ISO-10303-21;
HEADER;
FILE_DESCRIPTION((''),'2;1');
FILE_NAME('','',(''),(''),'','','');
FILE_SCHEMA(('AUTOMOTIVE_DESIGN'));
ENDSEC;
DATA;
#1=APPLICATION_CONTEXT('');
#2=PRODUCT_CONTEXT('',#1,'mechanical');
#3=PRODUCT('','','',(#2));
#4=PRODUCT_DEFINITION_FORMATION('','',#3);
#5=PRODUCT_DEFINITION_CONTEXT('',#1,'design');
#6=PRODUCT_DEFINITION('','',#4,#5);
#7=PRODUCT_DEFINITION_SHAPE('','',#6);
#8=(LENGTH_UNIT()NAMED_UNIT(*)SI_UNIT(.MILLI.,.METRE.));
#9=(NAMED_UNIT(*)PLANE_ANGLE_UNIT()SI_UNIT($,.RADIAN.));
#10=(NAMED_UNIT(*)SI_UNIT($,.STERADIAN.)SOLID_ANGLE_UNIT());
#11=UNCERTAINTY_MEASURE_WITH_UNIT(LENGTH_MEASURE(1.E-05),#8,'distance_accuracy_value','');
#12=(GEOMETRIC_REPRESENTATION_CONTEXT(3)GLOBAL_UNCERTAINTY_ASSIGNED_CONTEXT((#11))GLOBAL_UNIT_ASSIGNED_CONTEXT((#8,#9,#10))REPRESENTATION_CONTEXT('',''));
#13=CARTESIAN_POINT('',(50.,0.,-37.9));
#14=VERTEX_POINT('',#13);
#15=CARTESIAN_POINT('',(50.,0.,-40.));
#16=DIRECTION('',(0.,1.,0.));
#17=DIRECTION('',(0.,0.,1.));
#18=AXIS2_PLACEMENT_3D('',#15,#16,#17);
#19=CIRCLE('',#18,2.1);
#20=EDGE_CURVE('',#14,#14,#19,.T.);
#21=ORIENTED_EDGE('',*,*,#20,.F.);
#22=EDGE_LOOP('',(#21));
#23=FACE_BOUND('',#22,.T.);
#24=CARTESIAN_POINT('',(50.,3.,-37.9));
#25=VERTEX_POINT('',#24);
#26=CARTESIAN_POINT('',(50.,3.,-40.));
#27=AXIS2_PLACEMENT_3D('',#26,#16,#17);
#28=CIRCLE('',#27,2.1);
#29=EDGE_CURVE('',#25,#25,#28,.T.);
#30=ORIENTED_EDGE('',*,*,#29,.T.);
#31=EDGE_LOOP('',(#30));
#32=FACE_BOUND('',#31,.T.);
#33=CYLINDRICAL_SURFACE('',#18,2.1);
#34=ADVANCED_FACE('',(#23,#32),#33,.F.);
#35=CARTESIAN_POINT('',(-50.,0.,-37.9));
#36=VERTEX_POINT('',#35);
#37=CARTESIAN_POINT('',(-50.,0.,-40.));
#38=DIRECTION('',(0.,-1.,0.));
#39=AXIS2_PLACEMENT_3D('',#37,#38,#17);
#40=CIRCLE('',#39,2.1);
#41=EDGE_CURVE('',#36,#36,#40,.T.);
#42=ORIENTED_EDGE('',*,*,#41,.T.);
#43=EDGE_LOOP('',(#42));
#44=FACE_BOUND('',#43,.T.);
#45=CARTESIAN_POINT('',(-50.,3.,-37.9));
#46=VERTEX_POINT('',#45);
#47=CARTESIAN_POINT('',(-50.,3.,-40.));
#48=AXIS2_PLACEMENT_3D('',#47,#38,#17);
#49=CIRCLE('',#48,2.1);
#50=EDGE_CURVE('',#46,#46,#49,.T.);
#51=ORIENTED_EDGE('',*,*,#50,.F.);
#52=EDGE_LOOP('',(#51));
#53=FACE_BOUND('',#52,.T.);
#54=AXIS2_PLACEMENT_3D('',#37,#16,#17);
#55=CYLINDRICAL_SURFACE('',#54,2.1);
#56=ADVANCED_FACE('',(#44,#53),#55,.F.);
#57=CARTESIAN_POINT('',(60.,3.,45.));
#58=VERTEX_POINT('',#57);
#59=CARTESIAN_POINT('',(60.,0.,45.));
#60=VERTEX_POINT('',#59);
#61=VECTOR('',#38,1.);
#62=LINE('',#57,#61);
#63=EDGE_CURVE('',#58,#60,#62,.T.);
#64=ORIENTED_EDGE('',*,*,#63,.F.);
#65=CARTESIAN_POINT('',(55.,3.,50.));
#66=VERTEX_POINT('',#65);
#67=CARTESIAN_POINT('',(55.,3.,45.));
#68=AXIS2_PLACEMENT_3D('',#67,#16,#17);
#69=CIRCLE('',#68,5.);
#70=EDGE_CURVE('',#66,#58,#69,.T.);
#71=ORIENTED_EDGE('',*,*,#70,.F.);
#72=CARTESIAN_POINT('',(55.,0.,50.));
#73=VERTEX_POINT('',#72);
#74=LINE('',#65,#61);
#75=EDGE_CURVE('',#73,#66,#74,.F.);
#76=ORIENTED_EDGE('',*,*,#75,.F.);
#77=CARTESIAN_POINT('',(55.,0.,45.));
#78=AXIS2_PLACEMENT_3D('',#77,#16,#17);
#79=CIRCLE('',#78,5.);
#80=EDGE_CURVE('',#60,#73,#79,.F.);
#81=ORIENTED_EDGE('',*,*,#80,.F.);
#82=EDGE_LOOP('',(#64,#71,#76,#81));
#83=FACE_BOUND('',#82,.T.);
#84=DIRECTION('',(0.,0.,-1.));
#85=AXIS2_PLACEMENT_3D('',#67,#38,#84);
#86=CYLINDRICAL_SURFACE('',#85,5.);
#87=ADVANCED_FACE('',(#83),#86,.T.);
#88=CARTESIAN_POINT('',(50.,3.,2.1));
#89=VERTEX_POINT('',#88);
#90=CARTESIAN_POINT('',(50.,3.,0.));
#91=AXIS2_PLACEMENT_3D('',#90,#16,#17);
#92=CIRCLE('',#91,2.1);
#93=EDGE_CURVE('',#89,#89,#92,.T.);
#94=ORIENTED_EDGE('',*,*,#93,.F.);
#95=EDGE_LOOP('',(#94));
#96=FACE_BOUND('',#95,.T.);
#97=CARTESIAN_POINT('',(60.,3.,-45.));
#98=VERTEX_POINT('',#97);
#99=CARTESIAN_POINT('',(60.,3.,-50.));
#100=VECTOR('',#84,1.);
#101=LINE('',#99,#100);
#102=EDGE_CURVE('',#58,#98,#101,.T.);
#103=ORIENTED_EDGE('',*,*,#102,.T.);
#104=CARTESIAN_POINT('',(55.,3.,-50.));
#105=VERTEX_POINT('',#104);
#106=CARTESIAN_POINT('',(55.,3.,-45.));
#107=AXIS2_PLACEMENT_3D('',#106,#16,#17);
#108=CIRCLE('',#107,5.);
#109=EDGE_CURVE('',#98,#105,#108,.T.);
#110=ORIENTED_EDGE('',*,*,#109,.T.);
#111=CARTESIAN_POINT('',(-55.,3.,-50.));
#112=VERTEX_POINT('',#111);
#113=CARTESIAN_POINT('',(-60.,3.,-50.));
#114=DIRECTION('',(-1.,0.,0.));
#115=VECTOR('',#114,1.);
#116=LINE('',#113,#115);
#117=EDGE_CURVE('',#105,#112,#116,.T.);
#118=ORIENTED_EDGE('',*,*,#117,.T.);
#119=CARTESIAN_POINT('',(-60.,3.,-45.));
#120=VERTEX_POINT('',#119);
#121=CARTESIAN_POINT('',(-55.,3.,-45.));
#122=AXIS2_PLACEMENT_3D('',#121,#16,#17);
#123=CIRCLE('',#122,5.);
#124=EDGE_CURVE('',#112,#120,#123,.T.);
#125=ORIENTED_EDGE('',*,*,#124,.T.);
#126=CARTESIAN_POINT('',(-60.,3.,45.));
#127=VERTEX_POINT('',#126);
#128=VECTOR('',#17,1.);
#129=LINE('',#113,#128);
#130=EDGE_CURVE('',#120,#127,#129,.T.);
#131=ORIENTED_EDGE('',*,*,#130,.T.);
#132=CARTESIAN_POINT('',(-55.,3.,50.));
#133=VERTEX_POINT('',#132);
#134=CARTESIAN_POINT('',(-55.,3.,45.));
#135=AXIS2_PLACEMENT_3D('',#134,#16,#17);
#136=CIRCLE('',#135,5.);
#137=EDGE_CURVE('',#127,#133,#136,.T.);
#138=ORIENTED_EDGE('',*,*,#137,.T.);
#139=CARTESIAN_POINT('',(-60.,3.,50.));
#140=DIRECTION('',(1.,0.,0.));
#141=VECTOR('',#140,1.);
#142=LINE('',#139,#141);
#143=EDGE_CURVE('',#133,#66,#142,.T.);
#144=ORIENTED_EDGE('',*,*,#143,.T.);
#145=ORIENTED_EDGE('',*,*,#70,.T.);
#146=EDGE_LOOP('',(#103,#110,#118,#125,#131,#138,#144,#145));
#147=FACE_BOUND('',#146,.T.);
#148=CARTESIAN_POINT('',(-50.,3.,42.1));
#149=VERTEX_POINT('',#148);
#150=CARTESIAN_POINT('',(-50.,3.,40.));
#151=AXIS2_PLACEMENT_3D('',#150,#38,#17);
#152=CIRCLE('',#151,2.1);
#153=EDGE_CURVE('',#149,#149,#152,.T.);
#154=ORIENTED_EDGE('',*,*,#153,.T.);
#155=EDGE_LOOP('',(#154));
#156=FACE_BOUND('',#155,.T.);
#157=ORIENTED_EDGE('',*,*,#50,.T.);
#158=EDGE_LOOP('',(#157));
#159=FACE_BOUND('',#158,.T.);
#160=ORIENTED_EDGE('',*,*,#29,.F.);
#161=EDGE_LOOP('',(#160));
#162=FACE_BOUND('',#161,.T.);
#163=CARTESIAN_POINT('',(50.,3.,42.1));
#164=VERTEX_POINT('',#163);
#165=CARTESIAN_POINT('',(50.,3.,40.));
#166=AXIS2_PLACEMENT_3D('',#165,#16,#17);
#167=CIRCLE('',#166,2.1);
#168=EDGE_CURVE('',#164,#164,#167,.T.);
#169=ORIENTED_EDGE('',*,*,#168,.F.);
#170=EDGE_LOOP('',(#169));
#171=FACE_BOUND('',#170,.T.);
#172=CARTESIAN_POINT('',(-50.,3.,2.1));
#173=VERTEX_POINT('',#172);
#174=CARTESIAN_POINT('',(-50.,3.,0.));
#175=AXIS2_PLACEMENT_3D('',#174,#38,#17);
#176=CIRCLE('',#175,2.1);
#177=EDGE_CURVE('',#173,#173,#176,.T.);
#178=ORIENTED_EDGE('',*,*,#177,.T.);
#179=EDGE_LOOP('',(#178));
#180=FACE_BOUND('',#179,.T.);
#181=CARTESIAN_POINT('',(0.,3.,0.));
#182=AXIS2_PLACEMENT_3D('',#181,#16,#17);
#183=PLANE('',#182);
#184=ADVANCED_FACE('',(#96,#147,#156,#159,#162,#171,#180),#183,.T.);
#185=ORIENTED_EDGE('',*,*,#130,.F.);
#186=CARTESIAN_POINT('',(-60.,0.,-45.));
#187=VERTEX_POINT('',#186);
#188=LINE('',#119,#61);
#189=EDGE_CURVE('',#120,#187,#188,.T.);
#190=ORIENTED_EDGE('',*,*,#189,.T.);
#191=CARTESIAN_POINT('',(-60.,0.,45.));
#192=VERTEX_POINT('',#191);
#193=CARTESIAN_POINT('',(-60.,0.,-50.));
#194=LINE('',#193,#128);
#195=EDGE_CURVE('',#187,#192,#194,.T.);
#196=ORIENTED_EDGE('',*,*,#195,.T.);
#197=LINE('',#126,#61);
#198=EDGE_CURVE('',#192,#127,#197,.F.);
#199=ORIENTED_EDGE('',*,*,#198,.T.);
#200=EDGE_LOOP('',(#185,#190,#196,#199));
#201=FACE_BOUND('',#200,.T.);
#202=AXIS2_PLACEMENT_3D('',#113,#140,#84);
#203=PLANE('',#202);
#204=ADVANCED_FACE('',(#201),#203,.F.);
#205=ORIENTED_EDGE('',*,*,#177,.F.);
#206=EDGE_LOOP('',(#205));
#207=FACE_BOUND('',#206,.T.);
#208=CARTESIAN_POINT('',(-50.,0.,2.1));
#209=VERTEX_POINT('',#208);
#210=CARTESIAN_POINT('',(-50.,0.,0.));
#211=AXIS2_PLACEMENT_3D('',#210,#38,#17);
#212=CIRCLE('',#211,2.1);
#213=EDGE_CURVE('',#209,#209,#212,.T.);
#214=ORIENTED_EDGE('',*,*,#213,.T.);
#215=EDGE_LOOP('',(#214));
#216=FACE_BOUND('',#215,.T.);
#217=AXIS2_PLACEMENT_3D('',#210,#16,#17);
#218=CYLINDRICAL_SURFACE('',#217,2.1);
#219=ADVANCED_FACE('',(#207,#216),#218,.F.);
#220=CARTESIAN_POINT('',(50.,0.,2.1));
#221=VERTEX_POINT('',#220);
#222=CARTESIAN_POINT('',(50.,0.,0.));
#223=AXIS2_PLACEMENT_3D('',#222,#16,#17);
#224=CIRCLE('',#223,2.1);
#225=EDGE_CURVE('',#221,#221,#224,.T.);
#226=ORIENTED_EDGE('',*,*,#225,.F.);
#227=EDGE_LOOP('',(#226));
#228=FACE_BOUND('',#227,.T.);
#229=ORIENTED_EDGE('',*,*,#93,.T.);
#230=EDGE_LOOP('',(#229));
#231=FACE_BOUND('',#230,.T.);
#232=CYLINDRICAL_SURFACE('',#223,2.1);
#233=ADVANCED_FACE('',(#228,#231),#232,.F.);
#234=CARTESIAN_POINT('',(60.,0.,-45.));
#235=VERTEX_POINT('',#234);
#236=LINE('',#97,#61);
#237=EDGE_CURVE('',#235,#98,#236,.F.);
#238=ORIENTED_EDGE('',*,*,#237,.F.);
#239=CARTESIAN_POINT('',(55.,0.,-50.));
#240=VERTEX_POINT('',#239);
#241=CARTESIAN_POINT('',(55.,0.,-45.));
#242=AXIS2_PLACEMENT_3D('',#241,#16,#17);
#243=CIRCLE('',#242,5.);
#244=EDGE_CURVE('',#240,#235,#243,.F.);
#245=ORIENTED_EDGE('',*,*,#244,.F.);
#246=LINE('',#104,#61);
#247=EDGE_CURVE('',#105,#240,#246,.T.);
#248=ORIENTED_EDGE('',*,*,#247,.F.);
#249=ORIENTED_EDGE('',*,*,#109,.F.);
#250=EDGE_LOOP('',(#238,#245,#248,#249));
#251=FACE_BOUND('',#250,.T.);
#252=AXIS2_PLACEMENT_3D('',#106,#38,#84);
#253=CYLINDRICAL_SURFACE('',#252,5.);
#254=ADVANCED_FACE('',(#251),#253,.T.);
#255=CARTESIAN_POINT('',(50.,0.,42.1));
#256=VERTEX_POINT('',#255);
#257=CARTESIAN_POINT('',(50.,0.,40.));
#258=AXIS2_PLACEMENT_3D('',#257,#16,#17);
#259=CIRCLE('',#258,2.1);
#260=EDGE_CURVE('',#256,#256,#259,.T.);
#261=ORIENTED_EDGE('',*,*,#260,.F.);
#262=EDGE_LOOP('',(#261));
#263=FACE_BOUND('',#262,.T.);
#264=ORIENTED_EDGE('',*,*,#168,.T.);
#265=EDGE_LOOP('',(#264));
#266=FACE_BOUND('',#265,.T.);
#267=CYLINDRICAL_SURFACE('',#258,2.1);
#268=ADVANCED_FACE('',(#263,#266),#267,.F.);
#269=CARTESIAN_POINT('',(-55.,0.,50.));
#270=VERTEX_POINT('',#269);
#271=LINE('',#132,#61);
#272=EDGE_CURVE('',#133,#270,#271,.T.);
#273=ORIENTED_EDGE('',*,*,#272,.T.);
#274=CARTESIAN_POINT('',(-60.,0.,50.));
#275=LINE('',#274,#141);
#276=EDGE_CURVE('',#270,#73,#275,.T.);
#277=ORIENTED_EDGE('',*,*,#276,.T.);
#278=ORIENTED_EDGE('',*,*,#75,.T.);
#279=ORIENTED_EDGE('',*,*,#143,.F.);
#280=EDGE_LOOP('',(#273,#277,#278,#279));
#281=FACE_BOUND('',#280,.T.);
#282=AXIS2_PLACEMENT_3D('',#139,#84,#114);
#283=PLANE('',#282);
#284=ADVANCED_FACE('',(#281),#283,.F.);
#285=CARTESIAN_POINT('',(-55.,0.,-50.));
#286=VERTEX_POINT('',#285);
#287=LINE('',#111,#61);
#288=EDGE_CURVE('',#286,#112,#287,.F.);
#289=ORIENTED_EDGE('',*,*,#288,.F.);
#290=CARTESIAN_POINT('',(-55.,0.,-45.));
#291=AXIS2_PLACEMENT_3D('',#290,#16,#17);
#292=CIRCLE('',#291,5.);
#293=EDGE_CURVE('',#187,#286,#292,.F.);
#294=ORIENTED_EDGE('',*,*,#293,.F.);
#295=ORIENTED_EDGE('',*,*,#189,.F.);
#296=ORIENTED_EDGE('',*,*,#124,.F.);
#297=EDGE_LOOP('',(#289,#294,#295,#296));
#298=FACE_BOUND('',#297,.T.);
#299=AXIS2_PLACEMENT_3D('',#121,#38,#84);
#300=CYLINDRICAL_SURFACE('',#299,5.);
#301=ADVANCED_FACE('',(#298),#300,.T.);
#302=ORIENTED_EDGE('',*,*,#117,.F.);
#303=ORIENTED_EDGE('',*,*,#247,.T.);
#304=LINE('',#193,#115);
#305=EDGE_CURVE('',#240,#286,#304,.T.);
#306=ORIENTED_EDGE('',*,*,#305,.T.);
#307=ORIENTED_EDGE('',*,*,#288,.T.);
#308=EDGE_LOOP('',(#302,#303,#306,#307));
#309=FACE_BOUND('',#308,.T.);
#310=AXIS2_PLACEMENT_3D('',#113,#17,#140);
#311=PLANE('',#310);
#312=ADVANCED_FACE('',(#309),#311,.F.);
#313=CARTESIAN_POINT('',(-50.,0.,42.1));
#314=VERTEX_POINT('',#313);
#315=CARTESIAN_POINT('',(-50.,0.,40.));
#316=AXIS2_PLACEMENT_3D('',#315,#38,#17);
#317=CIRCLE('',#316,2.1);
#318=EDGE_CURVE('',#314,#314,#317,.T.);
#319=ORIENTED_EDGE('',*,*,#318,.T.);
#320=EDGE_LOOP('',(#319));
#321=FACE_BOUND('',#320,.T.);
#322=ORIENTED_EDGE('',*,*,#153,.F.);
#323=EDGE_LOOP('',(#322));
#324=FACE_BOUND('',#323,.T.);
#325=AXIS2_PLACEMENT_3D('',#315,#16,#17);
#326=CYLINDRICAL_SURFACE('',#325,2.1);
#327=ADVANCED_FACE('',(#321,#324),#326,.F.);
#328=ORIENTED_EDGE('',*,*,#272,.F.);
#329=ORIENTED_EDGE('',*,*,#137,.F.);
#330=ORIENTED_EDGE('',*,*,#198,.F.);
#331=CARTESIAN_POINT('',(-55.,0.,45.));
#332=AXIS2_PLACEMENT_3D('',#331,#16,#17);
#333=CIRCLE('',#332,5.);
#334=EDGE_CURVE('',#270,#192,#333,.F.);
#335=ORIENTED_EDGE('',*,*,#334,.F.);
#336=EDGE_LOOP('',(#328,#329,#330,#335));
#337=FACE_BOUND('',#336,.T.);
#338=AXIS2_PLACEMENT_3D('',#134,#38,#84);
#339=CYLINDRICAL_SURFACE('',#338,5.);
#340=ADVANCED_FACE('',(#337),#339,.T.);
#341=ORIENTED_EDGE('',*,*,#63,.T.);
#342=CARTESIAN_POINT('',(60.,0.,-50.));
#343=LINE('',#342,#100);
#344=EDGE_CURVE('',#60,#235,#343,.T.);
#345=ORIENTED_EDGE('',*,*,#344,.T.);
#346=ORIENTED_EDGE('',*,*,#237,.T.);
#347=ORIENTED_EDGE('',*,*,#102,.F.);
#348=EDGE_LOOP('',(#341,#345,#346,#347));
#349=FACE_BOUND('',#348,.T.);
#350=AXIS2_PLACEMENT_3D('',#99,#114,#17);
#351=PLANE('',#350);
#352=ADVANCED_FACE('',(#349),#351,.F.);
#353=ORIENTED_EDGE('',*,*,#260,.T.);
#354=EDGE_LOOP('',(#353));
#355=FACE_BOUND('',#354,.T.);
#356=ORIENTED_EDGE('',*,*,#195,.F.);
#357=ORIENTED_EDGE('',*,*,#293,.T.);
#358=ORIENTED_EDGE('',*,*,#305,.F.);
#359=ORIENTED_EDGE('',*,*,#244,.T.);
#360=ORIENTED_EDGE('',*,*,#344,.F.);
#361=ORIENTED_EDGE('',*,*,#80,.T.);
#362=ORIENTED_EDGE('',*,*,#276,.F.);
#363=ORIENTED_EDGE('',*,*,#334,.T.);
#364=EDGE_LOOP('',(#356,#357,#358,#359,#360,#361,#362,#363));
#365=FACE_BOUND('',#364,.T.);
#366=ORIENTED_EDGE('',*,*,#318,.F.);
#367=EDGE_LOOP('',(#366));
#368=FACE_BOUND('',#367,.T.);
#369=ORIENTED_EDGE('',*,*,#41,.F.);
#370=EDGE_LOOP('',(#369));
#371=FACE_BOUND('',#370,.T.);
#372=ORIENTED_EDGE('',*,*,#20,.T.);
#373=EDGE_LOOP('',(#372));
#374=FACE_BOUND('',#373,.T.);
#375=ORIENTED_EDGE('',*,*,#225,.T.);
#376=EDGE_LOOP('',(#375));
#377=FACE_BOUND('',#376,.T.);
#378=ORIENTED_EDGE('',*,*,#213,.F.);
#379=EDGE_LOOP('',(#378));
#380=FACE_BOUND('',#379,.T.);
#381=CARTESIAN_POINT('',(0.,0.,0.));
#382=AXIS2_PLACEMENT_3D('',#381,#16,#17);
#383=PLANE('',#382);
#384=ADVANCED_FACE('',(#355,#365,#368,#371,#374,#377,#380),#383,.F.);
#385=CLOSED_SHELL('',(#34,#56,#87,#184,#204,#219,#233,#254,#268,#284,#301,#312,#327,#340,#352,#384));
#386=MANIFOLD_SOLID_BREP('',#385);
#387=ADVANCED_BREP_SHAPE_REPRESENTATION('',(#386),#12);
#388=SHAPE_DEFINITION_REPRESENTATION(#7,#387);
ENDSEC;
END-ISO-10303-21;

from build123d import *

# Parameters (mm, degrees)
SKETCH_1_W               = 120
SKETCH_1_H               = 100
EXTRUDE_1_DEPTH          = 3
FILLET_1_R               = 5
SKETCH_4_R               = 2.1
CUT_EXTRUDE_2_DEPTH      = 79.160092119
PATTERN_LINEAR_1_COUNT   = 3
PATTERN_LINEAR_1_PITCH   = 40
MIRROR_1_COPY_1_SKETCH_R = 2.1
MIRROR_1_COPY_1_DEPTH    = 79.160092119
MIRROR_1_COPY_2_SKETCH_R = 2.1
MIRROR_1_COPY_2_DEPTH    = 79.160092119


with BuildPart() as part:
    # 草图1 → 凸台-拉伸1 (new body)
    with BuildSketch(Plane(origin=(0, 0, 0), x_dir=(1, 0, 0), z_dir=(0, 1, 0))):
        Rectangle(SKETCH_1_W, SKETCH_1_H)
    extrude(amount=EXTRUDE_1_DEPTH)

    # 圆角1
    fillet_1_edges = [part.edges().sort_by_distance(p)[0] for p in [
        (60, 1.5, 50),
        (-60, 1.5, 50),
        (-60, 1.5, -50),
        (60, 1.5, -50),
    ]]
    fillet(fillet_1_edges, radius=FILLET_1_R)

    # 草图4 → 切除-拉伸2 (cut, through all)
    with BuildSketch(Plane(origin=(0, 3, 0), x_dir=(1, 0, 0), z_dir=(0, 1, 0))):
        with Locations(Location((50, 40, 0), (0, 0, 270))):
            Circle(SKETCH_4_R)
    cut_extrude_2 = extrude(amount=-CUT_EXTRUDE_2_DEPTH, mode=Mode.SUBTRACT)

    # 阵列(线性)1: 切除-拉伸2 ×3
    with Locations(*[(0, 0, i * PATTERN_LINEAR_1_PITCH) for i in range(1, PATTERN_LINEAR_1_COUNT)]):
        add(cut_extrude_2, mode=Mode.SUBTRACT)

    # 镜向1: 切除-拉伸2 across plane
    add(cut_extrude_2.mirror(Plane(origin=(0, 0, 0), x_dir=(0, 0, 1), z_dir=(1, 0, 0))), mode=Mode.SUBTRACT)

    # 镜向1 copy 1 sketch → 镜向1 copy 1 (cut, through all)
    with BuildSketch(Plane(origin=(0, 3, 40), x_dir=(-1, 0, 0), z_dir=(0, 1, 0))):
        with Locations((50, -40)):
            Circle(MIRROR_1_COPY_1_SKETCH_R)
    extrude(amount=-MIRROR_1_COPY_1_DEPTH, mode=Mode.SUBTRACT)

    # 镜向1 copy 2 sketch → 镜向1 copy 2 (cut, through all)
    with BuildSketch(Plane(origin=(0, 3, 80), x_dir=(-1, 0, 0), z_dir=(0, 1, 0))):
        with Locations((50, -40)):
            Circle(MIRROR_1_COPY_2_SKETCH_R)
    extrude(amount=-MIRROR_1_COPY_2_DEPTH, mode=Mode.SUBTRACT)


solid = part.part
